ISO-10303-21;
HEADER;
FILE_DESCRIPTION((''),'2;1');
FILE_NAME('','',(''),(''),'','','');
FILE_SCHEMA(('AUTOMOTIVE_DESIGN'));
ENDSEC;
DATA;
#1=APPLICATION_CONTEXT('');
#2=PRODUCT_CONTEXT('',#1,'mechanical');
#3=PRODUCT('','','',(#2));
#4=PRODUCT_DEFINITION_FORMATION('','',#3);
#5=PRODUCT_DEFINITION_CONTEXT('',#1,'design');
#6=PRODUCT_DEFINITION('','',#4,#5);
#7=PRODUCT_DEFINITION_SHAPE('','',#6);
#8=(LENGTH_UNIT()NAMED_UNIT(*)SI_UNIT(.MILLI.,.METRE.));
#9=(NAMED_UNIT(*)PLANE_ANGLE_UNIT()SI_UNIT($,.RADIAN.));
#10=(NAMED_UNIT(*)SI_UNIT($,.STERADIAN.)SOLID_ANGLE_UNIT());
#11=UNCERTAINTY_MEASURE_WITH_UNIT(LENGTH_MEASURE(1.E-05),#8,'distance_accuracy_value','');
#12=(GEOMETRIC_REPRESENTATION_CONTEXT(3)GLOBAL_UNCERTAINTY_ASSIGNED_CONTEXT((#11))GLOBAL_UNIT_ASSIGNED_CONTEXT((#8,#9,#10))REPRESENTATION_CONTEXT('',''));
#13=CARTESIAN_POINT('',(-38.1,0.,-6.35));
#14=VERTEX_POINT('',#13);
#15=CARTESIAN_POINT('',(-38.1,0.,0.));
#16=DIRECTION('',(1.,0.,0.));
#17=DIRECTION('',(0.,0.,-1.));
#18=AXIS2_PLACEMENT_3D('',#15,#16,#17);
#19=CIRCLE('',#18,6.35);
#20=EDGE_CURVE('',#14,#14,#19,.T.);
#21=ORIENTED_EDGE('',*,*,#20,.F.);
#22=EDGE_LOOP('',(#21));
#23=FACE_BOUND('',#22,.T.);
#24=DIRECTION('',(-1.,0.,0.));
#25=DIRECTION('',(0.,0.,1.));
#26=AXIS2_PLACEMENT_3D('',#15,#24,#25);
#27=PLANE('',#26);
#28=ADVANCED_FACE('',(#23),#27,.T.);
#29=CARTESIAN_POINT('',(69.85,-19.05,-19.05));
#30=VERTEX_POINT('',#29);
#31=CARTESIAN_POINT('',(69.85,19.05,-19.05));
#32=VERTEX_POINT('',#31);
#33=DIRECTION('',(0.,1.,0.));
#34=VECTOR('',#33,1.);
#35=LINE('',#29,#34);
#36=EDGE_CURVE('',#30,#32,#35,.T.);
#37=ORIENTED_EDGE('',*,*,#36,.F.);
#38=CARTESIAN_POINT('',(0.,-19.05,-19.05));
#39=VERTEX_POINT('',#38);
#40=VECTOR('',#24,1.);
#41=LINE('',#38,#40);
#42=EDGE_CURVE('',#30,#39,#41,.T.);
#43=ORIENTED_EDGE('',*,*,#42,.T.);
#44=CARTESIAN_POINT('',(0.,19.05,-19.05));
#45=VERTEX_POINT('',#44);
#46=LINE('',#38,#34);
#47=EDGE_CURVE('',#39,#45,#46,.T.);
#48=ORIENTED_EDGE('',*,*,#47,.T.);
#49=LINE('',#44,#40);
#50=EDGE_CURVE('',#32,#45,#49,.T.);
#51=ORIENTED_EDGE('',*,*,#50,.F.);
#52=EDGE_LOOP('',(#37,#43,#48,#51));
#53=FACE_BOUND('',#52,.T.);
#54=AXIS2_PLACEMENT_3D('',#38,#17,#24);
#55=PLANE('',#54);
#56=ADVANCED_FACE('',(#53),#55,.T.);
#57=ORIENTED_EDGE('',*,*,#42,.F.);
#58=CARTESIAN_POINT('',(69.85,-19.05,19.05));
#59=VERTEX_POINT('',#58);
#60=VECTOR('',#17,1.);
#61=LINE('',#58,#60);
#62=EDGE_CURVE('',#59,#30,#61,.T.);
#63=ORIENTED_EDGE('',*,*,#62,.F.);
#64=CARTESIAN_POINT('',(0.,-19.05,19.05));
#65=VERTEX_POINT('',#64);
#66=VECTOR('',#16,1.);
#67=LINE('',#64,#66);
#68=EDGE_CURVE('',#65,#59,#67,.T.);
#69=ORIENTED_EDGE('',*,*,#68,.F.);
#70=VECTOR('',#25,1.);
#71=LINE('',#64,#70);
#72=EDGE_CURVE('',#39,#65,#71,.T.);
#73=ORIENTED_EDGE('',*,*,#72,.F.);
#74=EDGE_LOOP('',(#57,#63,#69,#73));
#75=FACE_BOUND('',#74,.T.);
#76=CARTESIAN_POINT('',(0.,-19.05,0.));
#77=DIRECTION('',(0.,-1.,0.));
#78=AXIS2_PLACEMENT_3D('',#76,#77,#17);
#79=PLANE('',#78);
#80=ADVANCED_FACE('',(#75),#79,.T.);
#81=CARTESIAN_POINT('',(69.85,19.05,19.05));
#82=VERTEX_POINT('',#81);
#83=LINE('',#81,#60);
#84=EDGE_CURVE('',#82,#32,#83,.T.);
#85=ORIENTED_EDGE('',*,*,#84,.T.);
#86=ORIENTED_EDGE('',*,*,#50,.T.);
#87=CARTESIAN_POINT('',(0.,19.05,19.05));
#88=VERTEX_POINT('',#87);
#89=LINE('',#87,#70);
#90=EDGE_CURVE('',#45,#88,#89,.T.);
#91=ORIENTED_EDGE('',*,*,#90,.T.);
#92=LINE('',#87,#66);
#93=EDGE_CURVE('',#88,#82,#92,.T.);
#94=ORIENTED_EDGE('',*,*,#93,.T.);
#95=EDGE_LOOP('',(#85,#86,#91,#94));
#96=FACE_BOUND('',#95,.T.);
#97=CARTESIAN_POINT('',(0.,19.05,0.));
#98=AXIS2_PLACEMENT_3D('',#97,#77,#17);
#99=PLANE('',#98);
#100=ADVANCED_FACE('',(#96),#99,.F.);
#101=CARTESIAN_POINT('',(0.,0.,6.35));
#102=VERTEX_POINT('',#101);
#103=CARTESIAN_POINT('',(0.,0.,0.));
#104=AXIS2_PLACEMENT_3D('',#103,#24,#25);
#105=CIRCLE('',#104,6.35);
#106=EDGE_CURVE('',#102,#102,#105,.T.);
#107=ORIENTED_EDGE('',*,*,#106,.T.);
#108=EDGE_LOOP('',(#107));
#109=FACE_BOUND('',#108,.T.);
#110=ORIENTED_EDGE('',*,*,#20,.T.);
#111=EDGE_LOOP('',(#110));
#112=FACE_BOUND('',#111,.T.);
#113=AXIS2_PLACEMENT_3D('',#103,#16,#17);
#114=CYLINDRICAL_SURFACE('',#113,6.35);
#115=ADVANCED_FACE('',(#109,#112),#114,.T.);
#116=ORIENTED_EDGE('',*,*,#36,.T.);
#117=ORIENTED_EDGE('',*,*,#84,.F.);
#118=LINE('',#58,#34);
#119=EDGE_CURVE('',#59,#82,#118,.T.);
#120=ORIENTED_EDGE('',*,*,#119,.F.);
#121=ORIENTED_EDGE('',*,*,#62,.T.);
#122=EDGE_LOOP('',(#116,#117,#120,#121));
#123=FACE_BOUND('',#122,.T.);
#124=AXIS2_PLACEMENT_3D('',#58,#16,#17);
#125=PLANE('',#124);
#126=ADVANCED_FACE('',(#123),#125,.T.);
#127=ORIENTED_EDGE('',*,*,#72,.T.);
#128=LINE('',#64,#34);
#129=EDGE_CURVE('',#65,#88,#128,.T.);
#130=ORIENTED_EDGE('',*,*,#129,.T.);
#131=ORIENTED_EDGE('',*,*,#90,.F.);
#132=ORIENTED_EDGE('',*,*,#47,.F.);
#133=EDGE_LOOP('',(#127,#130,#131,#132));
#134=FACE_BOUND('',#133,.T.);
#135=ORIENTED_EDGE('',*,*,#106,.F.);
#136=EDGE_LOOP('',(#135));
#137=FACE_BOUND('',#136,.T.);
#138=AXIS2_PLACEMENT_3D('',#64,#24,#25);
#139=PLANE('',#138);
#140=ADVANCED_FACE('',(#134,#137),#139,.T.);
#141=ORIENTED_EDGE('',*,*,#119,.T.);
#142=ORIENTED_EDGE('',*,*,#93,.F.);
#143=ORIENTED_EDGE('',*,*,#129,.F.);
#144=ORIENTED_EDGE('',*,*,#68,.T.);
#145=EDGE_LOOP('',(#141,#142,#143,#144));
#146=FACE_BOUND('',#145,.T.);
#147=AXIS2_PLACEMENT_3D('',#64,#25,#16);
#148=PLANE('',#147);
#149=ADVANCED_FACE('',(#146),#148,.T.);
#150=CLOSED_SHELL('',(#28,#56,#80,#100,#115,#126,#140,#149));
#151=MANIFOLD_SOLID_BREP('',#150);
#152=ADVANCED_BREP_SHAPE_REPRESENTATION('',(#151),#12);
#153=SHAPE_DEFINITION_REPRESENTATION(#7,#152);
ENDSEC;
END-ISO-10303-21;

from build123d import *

# Parameters (mm, degrees)
BOSS_EXTRUDE1_DEPTH      = 19.05
BOSS_EXTRUDE1_DEPTH_BACK = 19.05
SKETCH1_W                = 69.85
SKETCH1_H                = 38.1
SKETCH3_W                = 38.1
SKETCH3_H                = 6.35


with BuildPart() as part:
    # Sketch1 → Boss-Extrude1 (new, two sides: drawn at the far end of the back side and taken through both)
    with BuildSketch(Plane(origin=(0, 0, 0), x_dir=(1, 0, 0), z_dir=(0, 1, 0)).offset(-BOSS_EXTRUDE1_DEPTH_BACK)):
        with Locations((34.925, 0)):
            Rectangle(SKETCH1_W, SKETCH1_H)
    extrude(amount=BOSS_EXTRUDE1_DEPTH + BOSS_EXTRUDE1_DEPTH_BACK)

    # Sketch3 → Revolve1 (revolve)
    with BuildSketch(Plane(origin=(0, 0, 0), x_dir=(1, 0, 0), z_dir=(0, 1, 0))):
        with Locations((-19.05, 3.175)):
            Rectangle(SKETCH3_W, SKETCH3_H)
    revolve(axis=Axis((0, 0, 0), (-1, 0, 0)))


solid = part.part
